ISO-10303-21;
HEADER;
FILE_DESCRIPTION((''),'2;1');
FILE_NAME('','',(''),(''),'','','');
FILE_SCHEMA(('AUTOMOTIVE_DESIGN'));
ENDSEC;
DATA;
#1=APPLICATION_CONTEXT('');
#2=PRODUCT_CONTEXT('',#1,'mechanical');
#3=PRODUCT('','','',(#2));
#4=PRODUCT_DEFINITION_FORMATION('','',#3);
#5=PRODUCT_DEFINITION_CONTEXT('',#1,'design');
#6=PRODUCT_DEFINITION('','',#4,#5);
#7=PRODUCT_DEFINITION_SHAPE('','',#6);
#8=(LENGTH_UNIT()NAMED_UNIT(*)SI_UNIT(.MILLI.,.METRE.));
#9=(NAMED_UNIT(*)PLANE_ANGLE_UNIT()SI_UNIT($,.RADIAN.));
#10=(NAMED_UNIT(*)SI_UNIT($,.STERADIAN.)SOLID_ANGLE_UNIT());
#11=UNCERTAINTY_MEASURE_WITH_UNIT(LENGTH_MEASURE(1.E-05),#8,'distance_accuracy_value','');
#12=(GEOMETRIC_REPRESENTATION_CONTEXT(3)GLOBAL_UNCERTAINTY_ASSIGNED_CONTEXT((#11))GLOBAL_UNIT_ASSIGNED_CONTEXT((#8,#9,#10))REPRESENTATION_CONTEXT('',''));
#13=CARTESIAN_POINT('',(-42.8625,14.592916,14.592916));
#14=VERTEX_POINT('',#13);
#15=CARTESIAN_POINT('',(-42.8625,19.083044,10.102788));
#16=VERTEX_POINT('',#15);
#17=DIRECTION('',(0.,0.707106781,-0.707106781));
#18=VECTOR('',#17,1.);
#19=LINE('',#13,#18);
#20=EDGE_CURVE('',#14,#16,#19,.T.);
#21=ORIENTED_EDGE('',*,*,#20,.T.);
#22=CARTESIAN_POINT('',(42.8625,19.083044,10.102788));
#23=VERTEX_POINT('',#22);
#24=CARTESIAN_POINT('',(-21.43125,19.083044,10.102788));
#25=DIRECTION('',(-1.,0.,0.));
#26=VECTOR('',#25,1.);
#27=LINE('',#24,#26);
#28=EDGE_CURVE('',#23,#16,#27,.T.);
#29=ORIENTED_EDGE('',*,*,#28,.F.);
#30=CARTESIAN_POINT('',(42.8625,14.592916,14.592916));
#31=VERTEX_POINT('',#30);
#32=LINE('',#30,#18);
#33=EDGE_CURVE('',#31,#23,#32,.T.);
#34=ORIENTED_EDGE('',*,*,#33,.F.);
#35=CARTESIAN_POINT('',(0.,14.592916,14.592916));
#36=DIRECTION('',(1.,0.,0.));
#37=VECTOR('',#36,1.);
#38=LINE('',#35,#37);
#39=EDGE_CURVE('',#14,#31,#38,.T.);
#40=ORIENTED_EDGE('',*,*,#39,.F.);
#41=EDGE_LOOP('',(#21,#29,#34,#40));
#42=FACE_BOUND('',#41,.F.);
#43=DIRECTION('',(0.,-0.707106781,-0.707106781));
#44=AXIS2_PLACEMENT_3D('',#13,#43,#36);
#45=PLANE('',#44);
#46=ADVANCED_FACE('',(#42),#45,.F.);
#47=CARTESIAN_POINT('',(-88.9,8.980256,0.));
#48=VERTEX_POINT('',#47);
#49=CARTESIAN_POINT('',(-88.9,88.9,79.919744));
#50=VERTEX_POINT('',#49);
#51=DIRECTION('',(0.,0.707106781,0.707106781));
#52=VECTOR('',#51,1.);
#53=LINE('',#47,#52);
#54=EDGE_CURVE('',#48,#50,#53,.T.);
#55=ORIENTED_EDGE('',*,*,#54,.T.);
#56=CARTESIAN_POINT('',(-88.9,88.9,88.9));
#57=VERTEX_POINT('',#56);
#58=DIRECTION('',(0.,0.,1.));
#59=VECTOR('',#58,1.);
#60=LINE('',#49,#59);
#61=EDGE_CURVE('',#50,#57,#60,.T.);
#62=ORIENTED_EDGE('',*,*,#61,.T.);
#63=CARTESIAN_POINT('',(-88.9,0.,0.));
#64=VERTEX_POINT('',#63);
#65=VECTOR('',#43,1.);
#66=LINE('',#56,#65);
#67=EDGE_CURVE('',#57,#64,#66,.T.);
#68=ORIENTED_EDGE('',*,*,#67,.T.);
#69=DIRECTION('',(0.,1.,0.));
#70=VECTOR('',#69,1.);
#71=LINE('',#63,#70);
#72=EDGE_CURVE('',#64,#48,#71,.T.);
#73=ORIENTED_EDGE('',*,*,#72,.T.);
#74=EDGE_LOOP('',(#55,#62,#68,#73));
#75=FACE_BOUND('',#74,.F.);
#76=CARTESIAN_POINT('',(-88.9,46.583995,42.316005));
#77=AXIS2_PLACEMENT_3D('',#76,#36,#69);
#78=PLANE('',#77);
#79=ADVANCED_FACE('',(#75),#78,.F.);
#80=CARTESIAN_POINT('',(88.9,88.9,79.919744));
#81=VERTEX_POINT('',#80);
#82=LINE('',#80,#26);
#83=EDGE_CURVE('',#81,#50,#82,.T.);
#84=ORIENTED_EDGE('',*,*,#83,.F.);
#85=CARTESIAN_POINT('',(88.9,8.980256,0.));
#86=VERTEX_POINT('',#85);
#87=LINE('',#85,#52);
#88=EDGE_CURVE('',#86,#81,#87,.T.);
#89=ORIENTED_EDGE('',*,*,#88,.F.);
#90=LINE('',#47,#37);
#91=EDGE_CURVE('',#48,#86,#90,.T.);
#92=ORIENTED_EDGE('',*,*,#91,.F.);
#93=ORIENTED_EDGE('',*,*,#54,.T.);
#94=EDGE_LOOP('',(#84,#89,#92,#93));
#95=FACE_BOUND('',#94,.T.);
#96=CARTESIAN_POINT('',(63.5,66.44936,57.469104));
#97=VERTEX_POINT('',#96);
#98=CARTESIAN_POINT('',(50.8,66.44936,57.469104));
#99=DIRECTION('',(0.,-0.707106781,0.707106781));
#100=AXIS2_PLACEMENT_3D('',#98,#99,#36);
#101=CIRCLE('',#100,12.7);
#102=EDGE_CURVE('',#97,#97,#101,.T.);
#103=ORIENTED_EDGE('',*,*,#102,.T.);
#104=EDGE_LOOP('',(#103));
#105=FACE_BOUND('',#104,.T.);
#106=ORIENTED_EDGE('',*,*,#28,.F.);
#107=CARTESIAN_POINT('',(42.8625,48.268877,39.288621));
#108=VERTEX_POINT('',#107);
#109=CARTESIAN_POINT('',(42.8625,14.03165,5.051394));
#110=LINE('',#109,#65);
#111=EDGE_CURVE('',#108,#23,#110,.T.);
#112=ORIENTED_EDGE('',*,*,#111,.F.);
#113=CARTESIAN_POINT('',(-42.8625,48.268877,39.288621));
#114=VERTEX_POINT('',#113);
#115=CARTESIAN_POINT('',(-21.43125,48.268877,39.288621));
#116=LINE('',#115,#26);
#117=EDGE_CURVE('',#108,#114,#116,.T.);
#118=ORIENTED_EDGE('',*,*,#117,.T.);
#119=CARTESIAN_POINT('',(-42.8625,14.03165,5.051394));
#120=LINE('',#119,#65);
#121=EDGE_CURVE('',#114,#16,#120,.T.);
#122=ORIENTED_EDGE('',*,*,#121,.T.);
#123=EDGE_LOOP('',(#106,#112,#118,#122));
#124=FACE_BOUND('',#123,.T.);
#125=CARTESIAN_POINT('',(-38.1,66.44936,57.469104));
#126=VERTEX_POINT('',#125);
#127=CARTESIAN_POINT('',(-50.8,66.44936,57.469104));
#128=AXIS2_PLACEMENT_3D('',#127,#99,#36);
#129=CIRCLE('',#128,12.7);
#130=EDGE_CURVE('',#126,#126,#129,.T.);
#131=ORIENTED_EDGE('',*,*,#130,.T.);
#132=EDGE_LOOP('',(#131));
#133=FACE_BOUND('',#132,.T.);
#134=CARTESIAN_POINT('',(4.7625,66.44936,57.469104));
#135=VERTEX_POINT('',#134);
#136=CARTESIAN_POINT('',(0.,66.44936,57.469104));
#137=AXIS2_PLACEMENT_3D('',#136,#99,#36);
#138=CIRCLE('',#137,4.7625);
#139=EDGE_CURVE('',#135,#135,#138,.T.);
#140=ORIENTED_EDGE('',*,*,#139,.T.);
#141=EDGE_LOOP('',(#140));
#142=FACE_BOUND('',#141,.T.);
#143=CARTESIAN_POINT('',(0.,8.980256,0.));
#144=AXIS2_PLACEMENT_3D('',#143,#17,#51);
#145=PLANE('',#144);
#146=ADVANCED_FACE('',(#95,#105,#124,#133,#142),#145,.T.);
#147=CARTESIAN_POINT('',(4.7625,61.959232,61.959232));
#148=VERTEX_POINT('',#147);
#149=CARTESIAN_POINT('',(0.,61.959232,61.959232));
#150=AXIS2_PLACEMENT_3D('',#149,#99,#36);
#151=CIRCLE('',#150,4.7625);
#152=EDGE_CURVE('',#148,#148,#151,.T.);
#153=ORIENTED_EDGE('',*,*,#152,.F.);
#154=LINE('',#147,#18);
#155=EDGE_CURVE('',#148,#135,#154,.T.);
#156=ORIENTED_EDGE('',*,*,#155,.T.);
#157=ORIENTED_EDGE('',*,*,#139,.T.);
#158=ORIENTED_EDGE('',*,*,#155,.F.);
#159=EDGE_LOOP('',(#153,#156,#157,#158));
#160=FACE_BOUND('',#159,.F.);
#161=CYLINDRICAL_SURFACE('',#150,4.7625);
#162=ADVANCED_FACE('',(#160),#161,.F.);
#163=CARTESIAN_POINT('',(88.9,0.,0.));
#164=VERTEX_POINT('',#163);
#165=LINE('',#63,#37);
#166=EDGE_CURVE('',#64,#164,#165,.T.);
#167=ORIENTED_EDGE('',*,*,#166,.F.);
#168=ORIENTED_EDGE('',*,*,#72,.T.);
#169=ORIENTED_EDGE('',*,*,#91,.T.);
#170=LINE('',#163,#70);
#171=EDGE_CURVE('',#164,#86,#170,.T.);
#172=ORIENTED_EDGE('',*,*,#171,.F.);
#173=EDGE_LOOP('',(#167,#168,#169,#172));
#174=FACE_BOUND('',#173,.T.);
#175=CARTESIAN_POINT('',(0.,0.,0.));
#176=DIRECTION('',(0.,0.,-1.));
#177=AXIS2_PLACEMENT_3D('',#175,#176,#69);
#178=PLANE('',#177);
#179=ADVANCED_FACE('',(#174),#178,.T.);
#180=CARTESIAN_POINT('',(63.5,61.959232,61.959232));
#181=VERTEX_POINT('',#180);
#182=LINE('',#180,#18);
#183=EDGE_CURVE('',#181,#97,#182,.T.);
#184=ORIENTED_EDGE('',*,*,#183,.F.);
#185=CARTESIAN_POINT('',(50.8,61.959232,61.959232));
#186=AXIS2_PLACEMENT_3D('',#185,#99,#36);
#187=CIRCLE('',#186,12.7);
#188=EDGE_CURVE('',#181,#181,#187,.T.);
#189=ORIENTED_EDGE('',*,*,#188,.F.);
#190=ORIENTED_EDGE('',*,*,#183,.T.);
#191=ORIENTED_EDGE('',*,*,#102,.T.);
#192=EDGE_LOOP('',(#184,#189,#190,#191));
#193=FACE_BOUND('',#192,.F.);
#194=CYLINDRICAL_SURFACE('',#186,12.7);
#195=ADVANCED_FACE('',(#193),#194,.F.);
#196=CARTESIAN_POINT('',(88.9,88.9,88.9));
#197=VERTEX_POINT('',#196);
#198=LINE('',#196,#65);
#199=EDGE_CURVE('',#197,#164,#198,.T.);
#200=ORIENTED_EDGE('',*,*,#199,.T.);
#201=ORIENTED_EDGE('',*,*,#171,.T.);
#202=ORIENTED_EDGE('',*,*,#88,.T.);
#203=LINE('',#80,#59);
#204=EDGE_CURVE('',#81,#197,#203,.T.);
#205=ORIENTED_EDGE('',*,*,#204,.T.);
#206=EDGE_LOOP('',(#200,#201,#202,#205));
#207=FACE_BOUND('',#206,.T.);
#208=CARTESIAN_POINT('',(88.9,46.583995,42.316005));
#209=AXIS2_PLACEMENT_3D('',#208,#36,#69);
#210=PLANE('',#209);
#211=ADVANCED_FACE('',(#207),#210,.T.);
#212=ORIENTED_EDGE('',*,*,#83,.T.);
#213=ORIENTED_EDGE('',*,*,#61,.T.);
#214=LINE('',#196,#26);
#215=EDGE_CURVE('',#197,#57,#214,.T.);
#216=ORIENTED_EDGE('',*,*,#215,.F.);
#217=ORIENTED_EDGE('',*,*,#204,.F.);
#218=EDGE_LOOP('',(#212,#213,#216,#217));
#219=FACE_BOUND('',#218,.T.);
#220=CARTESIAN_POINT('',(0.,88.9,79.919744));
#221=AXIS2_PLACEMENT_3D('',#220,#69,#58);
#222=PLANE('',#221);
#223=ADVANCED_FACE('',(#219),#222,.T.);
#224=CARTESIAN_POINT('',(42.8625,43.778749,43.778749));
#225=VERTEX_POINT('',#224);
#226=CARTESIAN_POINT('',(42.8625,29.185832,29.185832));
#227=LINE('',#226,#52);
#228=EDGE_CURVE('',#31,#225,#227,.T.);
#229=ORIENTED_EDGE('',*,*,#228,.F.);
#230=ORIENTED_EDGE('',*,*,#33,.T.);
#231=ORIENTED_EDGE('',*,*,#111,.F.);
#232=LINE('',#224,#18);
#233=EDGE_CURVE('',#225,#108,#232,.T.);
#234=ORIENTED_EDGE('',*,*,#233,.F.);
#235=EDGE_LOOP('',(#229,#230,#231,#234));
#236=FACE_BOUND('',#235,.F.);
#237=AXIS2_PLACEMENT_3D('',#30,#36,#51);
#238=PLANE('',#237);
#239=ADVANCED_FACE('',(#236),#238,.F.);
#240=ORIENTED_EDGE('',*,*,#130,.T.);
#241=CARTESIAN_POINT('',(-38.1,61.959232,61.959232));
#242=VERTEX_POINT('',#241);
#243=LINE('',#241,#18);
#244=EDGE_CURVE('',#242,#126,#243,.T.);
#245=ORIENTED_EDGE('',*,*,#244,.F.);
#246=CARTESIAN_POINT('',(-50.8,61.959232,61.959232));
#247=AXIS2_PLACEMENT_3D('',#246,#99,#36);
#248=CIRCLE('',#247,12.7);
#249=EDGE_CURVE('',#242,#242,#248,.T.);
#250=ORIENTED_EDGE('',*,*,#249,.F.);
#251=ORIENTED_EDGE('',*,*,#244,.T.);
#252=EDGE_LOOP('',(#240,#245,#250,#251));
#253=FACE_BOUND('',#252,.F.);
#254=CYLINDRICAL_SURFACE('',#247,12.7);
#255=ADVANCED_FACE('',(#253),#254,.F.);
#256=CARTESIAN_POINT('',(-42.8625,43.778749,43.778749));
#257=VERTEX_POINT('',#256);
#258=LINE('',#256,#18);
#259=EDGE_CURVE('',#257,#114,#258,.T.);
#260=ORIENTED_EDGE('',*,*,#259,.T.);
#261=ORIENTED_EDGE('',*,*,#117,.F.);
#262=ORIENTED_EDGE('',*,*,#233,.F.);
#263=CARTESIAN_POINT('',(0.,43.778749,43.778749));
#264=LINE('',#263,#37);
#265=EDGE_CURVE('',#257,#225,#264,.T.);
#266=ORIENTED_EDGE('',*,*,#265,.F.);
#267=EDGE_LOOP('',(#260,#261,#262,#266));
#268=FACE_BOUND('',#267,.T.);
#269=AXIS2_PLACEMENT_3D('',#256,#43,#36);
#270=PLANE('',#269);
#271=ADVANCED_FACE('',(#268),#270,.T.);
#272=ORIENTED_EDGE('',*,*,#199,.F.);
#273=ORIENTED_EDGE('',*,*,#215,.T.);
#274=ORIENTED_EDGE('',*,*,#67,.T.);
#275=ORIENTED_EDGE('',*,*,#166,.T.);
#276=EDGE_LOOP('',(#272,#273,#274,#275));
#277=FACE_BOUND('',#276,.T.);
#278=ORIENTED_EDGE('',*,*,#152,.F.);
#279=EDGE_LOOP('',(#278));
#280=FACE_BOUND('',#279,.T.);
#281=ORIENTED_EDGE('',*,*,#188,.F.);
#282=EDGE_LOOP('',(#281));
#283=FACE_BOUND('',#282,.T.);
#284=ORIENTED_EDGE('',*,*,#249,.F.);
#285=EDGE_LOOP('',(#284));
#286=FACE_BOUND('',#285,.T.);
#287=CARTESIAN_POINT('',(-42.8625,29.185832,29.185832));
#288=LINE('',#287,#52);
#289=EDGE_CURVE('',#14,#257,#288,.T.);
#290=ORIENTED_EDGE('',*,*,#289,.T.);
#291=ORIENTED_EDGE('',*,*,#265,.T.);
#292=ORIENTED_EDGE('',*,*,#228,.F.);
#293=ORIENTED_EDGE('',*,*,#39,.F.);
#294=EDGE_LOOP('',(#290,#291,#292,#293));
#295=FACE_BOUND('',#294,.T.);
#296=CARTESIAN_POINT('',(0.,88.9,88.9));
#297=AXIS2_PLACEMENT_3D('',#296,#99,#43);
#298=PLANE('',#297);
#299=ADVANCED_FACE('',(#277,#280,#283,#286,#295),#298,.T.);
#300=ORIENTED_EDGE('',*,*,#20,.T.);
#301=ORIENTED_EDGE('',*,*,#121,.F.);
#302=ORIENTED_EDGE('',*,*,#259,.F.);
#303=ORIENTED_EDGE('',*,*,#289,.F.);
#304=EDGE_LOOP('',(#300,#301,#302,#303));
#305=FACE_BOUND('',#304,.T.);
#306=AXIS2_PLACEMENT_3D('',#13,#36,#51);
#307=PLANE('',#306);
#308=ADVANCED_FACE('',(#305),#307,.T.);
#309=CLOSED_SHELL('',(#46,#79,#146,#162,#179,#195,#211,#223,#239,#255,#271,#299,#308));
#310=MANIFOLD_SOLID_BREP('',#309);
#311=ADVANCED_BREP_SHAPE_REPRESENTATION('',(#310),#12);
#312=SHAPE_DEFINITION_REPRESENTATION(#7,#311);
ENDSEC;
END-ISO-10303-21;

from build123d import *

# Parameters (mm, degrees)
F1_DEPTH = 88.9
F2_R     = 12.7
F2_W     = 85.725
F2_H     = 41.275
F2_R_2   = 4.7625
F3_DEPTH = 62.862793


with BuildPart() as f1:
    # F0 (on Right) → F1 (new body, symmetric)
    with BuildSketch(Plane.YZ):
        Polygon((88.9, 88.9), (0, 0), (8.980256, 0), (88.9, 79.919744), align=None)
    extrude(amount=F1_DEPTH, both=True)

    # F2 (on face) → F3 (cut, through all)
    with BuildSketch(Plane(origin=(0, 0, 0), x_dir=(1, 0, 0), z_dir=(0, -0.707107, 0.707107))):
        with Locations((50.8, 87.623586)):
            Circle(F2_R)
        with Locations((-50.8, 87.623586)):
            Circle(F2_R)
        with Locations((0, 41.275)):
            Rectangle(F2_W, F2_H)
        with Locations((0, 87.623586)):
            Circle(F2_R_2)
    extrude(amount=-F3_DEPTH, mode=Mode.SUBTRACT)


solid = f1.part
